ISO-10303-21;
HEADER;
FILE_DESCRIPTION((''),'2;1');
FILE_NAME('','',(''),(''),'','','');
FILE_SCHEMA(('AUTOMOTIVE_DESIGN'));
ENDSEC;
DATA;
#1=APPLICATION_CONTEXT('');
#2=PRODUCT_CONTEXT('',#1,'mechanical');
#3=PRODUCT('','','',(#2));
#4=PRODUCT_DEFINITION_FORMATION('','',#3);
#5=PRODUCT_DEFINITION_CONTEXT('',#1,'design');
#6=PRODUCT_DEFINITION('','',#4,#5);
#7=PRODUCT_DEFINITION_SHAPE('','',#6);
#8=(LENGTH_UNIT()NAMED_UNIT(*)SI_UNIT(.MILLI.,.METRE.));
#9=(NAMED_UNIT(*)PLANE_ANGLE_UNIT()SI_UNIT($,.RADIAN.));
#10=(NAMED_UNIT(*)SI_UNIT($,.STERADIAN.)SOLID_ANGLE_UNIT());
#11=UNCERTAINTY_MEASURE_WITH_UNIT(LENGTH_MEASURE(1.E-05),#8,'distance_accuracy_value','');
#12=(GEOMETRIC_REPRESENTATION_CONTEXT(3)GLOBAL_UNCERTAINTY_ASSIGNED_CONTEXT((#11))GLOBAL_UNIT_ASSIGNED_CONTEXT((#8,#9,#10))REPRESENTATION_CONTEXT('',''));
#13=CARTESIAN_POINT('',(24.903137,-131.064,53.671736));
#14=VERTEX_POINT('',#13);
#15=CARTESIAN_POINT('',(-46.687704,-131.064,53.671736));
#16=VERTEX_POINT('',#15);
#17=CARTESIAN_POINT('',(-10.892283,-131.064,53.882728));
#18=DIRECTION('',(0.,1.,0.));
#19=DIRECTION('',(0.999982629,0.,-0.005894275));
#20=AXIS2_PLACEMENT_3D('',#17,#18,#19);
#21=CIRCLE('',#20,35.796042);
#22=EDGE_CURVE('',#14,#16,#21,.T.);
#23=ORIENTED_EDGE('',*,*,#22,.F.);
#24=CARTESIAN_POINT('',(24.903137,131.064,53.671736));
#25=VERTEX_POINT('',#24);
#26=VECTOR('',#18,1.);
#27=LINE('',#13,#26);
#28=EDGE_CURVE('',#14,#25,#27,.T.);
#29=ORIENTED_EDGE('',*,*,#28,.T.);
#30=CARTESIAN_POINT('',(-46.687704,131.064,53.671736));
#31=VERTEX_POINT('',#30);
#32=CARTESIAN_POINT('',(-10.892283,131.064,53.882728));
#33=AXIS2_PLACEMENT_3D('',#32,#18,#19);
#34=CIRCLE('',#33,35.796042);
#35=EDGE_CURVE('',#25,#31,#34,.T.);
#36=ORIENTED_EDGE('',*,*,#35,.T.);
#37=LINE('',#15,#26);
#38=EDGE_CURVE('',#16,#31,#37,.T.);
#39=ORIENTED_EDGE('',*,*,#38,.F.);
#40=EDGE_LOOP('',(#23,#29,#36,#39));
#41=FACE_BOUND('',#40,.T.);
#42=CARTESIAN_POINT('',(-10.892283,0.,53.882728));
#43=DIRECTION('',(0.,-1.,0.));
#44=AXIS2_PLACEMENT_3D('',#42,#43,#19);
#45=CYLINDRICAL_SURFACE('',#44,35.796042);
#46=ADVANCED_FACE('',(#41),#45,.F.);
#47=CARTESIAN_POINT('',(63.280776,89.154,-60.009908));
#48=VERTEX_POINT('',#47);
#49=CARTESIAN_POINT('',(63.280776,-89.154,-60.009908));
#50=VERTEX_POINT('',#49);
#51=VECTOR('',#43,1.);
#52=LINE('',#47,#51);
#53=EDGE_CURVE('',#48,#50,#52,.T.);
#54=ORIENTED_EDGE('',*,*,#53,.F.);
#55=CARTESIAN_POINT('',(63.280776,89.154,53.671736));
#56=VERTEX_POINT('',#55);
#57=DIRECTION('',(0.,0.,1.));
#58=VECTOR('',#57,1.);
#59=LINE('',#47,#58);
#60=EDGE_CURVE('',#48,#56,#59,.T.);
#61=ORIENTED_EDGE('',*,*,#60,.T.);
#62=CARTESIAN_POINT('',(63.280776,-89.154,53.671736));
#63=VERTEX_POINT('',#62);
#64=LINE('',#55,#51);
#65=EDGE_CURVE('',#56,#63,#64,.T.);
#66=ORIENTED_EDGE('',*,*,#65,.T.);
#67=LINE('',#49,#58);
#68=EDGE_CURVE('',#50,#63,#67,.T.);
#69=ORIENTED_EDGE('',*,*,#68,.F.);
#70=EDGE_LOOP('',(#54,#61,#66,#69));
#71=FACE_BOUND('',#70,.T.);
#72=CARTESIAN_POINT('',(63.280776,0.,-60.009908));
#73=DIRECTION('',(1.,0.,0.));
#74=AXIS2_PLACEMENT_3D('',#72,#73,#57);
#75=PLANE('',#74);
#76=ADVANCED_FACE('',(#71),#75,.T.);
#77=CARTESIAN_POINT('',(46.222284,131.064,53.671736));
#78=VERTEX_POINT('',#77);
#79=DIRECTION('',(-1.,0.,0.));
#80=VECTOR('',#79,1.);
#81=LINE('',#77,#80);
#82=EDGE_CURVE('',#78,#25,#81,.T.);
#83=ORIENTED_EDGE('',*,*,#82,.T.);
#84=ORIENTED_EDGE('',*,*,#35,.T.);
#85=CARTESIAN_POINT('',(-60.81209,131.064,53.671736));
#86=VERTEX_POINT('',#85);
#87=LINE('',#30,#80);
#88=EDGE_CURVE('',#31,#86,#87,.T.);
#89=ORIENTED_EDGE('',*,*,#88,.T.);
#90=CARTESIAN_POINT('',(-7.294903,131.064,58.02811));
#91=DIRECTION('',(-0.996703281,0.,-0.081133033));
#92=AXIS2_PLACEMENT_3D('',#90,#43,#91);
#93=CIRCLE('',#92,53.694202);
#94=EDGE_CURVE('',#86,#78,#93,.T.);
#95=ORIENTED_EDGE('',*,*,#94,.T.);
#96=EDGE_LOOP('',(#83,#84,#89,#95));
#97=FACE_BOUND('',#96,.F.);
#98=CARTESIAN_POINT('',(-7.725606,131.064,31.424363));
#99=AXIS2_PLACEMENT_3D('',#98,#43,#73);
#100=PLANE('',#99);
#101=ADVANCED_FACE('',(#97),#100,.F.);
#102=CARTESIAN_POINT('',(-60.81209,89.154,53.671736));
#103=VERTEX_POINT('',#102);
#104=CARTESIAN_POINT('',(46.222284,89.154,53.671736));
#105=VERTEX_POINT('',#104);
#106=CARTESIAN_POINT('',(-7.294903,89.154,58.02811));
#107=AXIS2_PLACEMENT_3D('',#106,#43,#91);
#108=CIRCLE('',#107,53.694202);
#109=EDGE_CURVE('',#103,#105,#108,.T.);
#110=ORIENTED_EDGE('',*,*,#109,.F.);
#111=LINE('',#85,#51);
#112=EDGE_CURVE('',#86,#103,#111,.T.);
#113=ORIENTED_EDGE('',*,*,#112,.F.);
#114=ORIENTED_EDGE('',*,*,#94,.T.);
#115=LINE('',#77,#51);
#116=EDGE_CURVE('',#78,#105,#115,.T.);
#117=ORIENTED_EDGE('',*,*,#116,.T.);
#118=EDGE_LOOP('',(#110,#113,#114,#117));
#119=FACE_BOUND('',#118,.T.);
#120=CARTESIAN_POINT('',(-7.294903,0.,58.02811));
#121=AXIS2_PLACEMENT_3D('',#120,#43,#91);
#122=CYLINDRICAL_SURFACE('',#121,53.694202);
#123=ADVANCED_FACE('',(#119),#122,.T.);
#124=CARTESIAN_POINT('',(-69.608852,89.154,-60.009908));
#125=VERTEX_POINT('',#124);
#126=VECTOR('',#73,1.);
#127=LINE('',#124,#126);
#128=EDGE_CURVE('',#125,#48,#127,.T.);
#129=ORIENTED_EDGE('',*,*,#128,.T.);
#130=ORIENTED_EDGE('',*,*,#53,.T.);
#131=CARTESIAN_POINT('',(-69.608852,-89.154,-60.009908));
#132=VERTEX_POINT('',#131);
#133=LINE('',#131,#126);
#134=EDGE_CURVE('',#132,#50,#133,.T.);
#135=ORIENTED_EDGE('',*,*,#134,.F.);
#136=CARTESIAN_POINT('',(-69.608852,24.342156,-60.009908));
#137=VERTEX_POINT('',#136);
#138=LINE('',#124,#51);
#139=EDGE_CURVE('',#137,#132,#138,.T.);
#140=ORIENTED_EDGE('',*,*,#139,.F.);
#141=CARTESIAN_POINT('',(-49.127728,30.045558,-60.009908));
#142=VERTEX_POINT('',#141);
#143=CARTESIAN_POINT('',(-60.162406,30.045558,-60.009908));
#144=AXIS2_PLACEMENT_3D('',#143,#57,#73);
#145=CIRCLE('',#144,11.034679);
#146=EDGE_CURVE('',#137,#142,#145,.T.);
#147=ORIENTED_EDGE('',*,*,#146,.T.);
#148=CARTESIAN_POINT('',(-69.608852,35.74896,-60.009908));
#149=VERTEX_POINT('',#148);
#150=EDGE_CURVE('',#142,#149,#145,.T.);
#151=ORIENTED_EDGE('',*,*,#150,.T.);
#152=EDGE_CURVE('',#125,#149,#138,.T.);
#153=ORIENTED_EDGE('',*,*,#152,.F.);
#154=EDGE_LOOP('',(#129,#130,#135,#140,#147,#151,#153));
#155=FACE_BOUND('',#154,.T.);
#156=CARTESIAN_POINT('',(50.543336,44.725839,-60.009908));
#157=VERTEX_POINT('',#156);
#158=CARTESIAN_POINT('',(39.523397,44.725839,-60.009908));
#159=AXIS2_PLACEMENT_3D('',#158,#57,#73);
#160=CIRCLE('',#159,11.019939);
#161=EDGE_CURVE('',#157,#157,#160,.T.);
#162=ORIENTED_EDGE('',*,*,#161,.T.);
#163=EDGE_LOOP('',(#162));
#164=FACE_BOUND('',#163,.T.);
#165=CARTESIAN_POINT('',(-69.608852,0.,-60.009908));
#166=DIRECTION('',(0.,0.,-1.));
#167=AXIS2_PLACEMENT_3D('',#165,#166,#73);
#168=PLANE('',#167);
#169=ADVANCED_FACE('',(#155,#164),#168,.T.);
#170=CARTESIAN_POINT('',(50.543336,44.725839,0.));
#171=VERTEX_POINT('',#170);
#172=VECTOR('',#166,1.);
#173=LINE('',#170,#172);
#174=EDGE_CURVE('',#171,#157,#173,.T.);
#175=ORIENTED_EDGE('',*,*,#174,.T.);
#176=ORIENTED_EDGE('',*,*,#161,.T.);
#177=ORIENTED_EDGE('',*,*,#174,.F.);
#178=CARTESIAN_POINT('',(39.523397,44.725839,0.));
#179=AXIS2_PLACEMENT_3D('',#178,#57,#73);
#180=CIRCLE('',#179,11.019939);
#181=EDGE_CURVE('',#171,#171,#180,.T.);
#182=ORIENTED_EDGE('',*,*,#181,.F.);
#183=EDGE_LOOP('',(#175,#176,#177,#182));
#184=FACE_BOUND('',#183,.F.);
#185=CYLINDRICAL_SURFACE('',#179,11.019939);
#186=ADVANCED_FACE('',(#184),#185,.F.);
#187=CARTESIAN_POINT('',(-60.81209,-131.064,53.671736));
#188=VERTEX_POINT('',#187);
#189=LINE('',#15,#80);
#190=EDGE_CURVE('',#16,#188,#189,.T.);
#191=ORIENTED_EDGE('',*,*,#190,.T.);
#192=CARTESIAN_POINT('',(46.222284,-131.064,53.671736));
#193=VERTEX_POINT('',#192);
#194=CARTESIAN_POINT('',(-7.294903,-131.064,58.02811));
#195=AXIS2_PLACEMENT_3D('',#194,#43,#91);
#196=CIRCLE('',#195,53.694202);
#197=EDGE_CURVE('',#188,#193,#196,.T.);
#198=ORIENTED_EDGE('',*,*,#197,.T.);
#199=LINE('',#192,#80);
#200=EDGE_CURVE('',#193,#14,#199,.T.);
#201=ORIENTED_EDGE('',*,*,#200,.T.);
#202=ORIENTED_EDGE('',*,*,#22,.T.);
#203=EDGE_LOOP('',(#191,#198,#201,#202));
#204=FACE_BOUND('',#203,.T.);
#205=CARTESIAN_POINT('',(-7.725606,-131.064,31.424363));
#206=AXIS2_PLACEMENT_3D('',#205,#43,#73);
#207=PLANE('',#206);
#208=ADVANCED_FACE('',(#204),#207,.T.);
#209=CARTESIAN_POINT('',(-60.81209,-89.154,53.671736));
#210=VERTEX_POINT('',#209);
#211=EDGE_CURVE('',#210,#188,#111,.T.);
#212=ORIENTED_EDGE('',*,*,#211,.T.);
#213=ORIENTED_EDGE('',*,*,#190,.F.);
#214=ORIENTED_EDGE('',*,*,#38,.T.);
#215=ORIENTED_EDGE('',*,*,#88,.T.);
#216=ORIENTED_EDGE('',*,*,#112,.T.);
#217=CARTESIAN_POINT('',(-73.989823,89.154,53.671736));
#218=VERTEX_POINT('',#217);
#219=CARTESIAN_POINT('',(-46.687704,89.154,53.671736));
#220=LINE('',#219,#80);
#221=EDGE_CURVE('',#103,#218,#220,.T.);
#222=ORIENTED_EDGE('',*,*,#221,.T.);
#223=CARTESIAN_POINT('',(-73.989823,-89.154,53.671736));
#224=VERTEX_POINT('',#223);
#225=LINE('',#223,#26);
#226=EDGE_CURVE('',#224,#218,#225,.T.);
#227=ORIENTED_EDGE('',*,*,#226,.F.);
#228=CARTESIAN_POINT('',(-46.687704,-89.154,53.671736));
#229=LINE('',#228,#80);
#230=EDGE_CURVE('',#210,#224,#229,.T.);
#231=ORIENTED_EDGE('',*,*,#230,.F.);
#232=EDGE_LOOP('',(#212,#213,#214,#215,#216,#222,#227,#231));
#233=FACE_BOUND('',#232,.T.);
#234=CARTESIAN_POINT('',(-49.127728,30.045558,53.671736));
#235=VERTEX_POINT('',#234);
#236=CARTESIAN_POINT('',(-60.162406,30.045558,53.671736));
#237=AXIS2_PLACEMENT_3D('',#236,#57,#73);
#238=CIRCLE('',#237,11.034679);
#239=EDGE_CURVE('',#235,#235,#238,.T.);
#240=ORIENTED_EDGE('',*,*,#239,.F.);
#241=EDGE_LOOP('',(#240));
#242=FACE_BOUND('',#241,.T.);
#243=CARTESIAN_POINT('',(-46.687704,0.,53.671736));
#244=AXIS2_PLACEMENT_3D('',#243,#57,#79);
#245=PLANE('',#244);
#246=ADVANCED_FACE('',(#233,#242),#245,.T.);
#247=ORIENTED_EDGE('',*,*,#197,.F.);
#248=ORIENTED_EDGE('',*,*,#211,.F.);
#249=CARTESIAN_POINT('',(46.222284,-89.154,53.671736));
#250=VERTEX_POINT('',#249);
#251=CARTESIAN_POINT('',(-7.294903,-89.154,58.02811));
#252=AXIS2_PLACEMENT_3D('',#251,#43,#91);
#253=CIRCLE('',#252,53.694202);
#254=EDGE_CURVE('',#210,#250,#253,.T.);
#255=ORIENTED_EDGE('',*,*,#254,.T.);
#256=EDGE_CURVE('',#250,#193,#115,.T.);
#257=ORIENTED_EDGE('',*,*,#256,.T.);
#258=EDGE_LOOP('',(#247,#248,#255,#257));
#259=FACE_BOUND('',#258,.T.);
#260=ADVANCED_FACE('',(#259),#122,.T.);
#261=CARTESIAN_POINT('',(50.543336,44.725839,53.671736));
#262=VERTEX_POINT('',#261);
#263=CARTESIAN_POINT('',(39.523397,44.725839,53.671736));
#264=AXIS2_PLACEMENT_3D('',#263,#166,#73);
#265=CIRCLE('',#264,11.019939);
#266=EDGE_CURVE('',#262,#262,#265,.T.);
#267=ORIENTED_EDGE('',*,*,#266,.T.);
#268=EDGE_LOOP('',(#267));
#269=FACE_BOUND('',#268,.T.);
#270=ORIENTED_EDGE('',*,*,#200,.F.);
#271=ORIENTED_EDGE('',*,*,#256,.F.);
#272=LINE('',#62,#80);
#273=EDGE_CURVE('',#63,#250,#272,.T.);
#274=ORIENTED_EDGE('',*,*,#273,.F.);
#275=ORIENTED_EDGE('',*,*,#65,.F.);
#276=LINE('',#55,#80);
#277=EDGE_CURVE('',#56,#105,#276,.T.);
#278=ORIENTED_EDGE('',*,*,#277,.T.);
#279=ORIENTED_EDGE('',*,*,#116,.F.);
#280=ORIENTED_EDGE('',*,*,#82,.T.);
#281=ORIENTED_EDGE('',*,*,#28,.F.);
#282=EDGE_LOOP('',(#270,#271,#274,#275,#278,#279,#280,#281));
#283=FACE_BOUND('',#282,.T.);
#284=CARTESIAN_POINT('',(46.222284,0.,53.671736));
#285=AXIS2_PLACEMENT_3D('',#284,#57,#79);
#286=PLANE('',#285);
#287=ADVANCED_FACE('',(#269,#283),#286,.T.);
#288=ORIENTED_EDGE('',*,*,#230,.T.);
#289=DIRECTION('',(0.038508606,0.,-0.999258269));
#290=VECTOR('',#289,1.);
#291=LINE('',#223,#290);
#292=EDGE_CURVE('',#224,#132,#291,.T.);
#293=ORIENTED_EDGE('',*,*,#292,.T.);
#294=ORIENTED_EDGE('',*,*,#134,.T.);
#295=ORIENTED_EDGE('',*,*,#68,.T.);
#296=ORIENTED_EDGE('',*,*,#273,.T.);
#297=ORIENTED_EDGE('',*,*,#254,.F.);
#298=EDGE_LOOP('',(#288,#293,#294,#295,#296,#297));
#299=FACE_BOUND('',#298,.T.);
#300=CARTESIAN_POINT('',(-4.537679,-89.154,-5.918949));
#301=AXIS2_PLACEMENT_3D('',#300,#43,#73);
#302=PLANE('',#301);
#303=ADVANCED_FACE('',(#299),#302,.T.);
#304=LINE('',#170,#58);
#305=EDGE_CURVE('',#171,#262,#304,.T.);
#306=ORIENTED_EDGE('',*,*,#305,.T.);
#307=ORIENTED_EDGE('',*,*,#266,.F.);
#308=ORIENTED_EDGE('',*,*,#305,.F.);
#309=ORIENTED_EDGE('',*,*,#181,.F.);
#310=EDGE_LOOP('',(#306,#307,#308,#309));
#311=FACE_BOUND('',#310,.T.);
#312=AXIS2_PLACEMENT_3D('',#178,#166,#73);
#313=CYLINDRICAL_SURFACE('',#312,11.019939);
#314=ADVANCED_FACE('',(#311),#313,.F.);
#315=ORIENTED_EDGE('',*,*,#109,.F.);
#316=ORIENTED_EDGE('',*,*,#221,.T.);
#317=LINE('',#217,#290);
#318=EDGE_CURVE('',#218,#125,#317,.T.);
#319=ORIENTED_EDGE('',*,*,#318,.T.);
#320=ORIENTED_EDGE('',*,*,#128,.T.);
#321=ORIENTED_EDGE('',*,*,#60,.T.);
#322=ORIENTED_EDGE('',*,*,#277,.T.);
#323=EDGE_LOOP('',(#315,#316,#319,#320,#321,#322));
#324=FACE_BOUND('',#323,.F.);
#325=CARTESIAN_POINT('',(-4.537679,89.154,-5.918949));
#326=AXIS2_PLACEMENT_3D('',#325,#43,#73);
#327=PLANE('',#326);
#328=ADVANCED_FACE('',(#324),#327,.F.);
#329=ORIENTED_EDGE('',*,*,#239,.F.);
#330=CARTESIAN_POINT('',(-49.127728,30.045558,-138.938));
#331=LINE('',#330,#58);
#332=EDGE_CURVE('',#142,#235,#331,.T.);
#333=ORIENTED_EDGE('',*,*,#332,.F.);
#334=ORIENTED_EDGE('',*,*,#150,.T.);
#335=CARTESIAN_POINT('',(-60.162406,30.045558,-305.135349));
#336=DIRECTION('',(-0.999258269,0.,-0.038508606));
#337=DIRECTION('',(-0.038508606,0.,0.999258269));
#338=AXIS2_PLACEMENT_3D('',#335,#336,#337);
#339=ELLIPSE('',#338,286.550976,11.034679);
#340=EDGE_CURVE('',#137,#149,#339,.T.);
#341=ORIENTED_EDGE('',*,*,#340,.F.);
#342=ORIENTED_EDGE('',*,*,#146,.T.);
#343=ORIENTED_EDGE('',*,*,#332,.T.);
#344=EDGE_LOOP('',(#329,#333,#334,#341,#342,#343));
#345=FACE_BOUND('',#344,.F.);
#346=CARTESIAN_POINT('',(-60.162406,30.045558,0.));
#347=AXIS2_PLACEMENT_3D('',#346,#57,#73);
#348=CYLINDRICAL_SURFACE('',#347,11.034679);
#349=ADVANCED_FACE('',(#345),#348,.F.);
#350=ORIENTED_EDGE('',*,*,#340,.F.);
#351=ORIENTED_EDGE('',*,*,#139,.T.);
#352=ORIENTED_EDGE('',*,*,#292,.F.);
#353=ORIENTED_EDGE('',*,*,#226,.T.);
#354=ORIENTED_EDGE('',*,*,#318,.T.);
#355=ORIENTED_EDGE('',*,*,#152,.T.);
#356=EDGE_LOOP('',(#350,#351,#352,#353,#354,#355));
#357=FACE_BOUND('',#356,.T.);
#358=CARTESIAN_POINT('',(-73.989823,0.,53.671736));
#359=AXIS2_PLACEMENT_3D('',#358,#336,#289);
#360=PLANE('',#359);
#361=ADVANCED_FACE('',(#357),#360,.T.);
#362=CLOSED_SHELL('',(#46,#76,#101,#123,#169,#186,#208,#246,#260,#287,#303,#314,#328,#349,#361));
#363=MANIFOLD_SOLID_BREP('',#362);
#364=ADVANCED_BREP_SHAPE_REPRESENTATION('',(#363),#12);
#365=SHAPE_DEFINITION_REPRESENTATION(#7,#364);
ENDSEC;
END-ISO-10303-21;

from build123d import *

# Parameters (mm, degrees)
F1_DEPTH = 89.154
F2_DEPTH = 131.064
F3_R     = 11.0199394835
F4_DEPTH = 25.4
F3_R_2   = 11.0346787259
F5_DEPTH = 138.938


with BuildPart() as f1:
    # F0 (on Front) → F1 (new body, symmetric)
    with BuildSketch(Plane.XZ):
        with BuildLine():
            Line((-73.9898234606, 53.6717362702), (-69.6088522673, -60.0099079311))
            Line((-69.6088522673, -60.0099079311), (63.2807761431, -60.0099079311))
            Line((63.2807761431, -60.0099079311), (63.2807761431, 53.6717362702))
            Line((63.2807761431, 53.6717362702), (46.2222844362, 53.6717362702))
            ThreePointArc((46.2222844362, 53.6717362702), (-7.294902578, 4.3339080113), (-60.8120895922, 53.6717362702))
            Line((-60.8120895922, 53.6717362702), (-73.9898234606, 53.6717362702))
        make_face()
        with BuildLine():
            Line((-46.6877035797, 53.6717362702), (-60.8120895922, 53.6717362702))
            ThreePointArc((-60.8120895922, 53.6717362702), (-7.294902578, 4.3339080113), (46.2222844362, 53.6717362702))
            Line((46.2222844362, 53.6717362702), (24.9031372368, 53.6717362702))
            ThreePointArc((24.9031372368, 53.6717362702), (-10.8922831714, 18.0866857546), (-46.6877035797, 53.6717362702))
        make_face()
    extrude(amount=F1_DEPTH, both=True)

    # F0 (on Front) → F2 (join, symmetric)
    with BuildSketch(Plane.XZ):
        with BuildLine():
            Line((-46.6877035797, 53.6717362702), (-60.8120895922, 53.6717362702))
            ThreePointArc((-60.8120895922, 53.6717362702), (-7.294902578, 4.3339080113), (46.2222844362, 53.6717362702))
            Line((46.2222844362, 53.6717362702), (24.9031372368, 53.6717362702))
            ThreePointArc((24.9031372368, 53.6717362702), (-10.8922831714, 18.0866857546), (-46.6877035797, 53.6717362702))
        make_face()
    extrude(amount=F2_DEPTH, both=True)


with BuildPart() as f4:
    # F3 (on Top) → F4 (new body)
    with BuildSketch(Plane.XY):
        with Locations((39.523396641, 44.7258390486)):
            Circle(F3_R)
    extrude(amount=F4_DEPTH)


with BuildPart() as f4b:
    # F3 (on Top) → F4, piece 2 (new body)
    with BuildSketch(Plane.XY):
        with Locations((-60.1624064147, 30.0455577672)):
            Circle(F3_R_2)
    extrude(amount=F4_DEPTH)


with BuildPart() as f5_tool:
    # F3 (on Top) → F5 (new body, symmetric)
    with BuildSketch(Plane.XY):
        with Locations((39.523396641, 44.7258390486)):
            Circle(F3_R)
        with Locations((-60.1624064147, 30.0455577672)):
            Circle(F3_R_2)
    extrude(amount=F5_DEPTH, both=True)


with BuildPart() as f1_1:
    add(f1.part)

    # F5: cut by f5_tool
    add(f5_tool.part, mode=Mode.SUBTRACT)


with BuildPart() as f4_1:
    add(f4.part)

    # F5: cut by f5_tool
    add(f5_tool.part, mode=Mode.SUBTRACT)


with BuildPart() as f4b_1:
    add(f4b.part)

    # F5: cut by f5_tool
    add(f5_tool.part, mode=Mode.SUBTRACT)


solid = f1_1.part
